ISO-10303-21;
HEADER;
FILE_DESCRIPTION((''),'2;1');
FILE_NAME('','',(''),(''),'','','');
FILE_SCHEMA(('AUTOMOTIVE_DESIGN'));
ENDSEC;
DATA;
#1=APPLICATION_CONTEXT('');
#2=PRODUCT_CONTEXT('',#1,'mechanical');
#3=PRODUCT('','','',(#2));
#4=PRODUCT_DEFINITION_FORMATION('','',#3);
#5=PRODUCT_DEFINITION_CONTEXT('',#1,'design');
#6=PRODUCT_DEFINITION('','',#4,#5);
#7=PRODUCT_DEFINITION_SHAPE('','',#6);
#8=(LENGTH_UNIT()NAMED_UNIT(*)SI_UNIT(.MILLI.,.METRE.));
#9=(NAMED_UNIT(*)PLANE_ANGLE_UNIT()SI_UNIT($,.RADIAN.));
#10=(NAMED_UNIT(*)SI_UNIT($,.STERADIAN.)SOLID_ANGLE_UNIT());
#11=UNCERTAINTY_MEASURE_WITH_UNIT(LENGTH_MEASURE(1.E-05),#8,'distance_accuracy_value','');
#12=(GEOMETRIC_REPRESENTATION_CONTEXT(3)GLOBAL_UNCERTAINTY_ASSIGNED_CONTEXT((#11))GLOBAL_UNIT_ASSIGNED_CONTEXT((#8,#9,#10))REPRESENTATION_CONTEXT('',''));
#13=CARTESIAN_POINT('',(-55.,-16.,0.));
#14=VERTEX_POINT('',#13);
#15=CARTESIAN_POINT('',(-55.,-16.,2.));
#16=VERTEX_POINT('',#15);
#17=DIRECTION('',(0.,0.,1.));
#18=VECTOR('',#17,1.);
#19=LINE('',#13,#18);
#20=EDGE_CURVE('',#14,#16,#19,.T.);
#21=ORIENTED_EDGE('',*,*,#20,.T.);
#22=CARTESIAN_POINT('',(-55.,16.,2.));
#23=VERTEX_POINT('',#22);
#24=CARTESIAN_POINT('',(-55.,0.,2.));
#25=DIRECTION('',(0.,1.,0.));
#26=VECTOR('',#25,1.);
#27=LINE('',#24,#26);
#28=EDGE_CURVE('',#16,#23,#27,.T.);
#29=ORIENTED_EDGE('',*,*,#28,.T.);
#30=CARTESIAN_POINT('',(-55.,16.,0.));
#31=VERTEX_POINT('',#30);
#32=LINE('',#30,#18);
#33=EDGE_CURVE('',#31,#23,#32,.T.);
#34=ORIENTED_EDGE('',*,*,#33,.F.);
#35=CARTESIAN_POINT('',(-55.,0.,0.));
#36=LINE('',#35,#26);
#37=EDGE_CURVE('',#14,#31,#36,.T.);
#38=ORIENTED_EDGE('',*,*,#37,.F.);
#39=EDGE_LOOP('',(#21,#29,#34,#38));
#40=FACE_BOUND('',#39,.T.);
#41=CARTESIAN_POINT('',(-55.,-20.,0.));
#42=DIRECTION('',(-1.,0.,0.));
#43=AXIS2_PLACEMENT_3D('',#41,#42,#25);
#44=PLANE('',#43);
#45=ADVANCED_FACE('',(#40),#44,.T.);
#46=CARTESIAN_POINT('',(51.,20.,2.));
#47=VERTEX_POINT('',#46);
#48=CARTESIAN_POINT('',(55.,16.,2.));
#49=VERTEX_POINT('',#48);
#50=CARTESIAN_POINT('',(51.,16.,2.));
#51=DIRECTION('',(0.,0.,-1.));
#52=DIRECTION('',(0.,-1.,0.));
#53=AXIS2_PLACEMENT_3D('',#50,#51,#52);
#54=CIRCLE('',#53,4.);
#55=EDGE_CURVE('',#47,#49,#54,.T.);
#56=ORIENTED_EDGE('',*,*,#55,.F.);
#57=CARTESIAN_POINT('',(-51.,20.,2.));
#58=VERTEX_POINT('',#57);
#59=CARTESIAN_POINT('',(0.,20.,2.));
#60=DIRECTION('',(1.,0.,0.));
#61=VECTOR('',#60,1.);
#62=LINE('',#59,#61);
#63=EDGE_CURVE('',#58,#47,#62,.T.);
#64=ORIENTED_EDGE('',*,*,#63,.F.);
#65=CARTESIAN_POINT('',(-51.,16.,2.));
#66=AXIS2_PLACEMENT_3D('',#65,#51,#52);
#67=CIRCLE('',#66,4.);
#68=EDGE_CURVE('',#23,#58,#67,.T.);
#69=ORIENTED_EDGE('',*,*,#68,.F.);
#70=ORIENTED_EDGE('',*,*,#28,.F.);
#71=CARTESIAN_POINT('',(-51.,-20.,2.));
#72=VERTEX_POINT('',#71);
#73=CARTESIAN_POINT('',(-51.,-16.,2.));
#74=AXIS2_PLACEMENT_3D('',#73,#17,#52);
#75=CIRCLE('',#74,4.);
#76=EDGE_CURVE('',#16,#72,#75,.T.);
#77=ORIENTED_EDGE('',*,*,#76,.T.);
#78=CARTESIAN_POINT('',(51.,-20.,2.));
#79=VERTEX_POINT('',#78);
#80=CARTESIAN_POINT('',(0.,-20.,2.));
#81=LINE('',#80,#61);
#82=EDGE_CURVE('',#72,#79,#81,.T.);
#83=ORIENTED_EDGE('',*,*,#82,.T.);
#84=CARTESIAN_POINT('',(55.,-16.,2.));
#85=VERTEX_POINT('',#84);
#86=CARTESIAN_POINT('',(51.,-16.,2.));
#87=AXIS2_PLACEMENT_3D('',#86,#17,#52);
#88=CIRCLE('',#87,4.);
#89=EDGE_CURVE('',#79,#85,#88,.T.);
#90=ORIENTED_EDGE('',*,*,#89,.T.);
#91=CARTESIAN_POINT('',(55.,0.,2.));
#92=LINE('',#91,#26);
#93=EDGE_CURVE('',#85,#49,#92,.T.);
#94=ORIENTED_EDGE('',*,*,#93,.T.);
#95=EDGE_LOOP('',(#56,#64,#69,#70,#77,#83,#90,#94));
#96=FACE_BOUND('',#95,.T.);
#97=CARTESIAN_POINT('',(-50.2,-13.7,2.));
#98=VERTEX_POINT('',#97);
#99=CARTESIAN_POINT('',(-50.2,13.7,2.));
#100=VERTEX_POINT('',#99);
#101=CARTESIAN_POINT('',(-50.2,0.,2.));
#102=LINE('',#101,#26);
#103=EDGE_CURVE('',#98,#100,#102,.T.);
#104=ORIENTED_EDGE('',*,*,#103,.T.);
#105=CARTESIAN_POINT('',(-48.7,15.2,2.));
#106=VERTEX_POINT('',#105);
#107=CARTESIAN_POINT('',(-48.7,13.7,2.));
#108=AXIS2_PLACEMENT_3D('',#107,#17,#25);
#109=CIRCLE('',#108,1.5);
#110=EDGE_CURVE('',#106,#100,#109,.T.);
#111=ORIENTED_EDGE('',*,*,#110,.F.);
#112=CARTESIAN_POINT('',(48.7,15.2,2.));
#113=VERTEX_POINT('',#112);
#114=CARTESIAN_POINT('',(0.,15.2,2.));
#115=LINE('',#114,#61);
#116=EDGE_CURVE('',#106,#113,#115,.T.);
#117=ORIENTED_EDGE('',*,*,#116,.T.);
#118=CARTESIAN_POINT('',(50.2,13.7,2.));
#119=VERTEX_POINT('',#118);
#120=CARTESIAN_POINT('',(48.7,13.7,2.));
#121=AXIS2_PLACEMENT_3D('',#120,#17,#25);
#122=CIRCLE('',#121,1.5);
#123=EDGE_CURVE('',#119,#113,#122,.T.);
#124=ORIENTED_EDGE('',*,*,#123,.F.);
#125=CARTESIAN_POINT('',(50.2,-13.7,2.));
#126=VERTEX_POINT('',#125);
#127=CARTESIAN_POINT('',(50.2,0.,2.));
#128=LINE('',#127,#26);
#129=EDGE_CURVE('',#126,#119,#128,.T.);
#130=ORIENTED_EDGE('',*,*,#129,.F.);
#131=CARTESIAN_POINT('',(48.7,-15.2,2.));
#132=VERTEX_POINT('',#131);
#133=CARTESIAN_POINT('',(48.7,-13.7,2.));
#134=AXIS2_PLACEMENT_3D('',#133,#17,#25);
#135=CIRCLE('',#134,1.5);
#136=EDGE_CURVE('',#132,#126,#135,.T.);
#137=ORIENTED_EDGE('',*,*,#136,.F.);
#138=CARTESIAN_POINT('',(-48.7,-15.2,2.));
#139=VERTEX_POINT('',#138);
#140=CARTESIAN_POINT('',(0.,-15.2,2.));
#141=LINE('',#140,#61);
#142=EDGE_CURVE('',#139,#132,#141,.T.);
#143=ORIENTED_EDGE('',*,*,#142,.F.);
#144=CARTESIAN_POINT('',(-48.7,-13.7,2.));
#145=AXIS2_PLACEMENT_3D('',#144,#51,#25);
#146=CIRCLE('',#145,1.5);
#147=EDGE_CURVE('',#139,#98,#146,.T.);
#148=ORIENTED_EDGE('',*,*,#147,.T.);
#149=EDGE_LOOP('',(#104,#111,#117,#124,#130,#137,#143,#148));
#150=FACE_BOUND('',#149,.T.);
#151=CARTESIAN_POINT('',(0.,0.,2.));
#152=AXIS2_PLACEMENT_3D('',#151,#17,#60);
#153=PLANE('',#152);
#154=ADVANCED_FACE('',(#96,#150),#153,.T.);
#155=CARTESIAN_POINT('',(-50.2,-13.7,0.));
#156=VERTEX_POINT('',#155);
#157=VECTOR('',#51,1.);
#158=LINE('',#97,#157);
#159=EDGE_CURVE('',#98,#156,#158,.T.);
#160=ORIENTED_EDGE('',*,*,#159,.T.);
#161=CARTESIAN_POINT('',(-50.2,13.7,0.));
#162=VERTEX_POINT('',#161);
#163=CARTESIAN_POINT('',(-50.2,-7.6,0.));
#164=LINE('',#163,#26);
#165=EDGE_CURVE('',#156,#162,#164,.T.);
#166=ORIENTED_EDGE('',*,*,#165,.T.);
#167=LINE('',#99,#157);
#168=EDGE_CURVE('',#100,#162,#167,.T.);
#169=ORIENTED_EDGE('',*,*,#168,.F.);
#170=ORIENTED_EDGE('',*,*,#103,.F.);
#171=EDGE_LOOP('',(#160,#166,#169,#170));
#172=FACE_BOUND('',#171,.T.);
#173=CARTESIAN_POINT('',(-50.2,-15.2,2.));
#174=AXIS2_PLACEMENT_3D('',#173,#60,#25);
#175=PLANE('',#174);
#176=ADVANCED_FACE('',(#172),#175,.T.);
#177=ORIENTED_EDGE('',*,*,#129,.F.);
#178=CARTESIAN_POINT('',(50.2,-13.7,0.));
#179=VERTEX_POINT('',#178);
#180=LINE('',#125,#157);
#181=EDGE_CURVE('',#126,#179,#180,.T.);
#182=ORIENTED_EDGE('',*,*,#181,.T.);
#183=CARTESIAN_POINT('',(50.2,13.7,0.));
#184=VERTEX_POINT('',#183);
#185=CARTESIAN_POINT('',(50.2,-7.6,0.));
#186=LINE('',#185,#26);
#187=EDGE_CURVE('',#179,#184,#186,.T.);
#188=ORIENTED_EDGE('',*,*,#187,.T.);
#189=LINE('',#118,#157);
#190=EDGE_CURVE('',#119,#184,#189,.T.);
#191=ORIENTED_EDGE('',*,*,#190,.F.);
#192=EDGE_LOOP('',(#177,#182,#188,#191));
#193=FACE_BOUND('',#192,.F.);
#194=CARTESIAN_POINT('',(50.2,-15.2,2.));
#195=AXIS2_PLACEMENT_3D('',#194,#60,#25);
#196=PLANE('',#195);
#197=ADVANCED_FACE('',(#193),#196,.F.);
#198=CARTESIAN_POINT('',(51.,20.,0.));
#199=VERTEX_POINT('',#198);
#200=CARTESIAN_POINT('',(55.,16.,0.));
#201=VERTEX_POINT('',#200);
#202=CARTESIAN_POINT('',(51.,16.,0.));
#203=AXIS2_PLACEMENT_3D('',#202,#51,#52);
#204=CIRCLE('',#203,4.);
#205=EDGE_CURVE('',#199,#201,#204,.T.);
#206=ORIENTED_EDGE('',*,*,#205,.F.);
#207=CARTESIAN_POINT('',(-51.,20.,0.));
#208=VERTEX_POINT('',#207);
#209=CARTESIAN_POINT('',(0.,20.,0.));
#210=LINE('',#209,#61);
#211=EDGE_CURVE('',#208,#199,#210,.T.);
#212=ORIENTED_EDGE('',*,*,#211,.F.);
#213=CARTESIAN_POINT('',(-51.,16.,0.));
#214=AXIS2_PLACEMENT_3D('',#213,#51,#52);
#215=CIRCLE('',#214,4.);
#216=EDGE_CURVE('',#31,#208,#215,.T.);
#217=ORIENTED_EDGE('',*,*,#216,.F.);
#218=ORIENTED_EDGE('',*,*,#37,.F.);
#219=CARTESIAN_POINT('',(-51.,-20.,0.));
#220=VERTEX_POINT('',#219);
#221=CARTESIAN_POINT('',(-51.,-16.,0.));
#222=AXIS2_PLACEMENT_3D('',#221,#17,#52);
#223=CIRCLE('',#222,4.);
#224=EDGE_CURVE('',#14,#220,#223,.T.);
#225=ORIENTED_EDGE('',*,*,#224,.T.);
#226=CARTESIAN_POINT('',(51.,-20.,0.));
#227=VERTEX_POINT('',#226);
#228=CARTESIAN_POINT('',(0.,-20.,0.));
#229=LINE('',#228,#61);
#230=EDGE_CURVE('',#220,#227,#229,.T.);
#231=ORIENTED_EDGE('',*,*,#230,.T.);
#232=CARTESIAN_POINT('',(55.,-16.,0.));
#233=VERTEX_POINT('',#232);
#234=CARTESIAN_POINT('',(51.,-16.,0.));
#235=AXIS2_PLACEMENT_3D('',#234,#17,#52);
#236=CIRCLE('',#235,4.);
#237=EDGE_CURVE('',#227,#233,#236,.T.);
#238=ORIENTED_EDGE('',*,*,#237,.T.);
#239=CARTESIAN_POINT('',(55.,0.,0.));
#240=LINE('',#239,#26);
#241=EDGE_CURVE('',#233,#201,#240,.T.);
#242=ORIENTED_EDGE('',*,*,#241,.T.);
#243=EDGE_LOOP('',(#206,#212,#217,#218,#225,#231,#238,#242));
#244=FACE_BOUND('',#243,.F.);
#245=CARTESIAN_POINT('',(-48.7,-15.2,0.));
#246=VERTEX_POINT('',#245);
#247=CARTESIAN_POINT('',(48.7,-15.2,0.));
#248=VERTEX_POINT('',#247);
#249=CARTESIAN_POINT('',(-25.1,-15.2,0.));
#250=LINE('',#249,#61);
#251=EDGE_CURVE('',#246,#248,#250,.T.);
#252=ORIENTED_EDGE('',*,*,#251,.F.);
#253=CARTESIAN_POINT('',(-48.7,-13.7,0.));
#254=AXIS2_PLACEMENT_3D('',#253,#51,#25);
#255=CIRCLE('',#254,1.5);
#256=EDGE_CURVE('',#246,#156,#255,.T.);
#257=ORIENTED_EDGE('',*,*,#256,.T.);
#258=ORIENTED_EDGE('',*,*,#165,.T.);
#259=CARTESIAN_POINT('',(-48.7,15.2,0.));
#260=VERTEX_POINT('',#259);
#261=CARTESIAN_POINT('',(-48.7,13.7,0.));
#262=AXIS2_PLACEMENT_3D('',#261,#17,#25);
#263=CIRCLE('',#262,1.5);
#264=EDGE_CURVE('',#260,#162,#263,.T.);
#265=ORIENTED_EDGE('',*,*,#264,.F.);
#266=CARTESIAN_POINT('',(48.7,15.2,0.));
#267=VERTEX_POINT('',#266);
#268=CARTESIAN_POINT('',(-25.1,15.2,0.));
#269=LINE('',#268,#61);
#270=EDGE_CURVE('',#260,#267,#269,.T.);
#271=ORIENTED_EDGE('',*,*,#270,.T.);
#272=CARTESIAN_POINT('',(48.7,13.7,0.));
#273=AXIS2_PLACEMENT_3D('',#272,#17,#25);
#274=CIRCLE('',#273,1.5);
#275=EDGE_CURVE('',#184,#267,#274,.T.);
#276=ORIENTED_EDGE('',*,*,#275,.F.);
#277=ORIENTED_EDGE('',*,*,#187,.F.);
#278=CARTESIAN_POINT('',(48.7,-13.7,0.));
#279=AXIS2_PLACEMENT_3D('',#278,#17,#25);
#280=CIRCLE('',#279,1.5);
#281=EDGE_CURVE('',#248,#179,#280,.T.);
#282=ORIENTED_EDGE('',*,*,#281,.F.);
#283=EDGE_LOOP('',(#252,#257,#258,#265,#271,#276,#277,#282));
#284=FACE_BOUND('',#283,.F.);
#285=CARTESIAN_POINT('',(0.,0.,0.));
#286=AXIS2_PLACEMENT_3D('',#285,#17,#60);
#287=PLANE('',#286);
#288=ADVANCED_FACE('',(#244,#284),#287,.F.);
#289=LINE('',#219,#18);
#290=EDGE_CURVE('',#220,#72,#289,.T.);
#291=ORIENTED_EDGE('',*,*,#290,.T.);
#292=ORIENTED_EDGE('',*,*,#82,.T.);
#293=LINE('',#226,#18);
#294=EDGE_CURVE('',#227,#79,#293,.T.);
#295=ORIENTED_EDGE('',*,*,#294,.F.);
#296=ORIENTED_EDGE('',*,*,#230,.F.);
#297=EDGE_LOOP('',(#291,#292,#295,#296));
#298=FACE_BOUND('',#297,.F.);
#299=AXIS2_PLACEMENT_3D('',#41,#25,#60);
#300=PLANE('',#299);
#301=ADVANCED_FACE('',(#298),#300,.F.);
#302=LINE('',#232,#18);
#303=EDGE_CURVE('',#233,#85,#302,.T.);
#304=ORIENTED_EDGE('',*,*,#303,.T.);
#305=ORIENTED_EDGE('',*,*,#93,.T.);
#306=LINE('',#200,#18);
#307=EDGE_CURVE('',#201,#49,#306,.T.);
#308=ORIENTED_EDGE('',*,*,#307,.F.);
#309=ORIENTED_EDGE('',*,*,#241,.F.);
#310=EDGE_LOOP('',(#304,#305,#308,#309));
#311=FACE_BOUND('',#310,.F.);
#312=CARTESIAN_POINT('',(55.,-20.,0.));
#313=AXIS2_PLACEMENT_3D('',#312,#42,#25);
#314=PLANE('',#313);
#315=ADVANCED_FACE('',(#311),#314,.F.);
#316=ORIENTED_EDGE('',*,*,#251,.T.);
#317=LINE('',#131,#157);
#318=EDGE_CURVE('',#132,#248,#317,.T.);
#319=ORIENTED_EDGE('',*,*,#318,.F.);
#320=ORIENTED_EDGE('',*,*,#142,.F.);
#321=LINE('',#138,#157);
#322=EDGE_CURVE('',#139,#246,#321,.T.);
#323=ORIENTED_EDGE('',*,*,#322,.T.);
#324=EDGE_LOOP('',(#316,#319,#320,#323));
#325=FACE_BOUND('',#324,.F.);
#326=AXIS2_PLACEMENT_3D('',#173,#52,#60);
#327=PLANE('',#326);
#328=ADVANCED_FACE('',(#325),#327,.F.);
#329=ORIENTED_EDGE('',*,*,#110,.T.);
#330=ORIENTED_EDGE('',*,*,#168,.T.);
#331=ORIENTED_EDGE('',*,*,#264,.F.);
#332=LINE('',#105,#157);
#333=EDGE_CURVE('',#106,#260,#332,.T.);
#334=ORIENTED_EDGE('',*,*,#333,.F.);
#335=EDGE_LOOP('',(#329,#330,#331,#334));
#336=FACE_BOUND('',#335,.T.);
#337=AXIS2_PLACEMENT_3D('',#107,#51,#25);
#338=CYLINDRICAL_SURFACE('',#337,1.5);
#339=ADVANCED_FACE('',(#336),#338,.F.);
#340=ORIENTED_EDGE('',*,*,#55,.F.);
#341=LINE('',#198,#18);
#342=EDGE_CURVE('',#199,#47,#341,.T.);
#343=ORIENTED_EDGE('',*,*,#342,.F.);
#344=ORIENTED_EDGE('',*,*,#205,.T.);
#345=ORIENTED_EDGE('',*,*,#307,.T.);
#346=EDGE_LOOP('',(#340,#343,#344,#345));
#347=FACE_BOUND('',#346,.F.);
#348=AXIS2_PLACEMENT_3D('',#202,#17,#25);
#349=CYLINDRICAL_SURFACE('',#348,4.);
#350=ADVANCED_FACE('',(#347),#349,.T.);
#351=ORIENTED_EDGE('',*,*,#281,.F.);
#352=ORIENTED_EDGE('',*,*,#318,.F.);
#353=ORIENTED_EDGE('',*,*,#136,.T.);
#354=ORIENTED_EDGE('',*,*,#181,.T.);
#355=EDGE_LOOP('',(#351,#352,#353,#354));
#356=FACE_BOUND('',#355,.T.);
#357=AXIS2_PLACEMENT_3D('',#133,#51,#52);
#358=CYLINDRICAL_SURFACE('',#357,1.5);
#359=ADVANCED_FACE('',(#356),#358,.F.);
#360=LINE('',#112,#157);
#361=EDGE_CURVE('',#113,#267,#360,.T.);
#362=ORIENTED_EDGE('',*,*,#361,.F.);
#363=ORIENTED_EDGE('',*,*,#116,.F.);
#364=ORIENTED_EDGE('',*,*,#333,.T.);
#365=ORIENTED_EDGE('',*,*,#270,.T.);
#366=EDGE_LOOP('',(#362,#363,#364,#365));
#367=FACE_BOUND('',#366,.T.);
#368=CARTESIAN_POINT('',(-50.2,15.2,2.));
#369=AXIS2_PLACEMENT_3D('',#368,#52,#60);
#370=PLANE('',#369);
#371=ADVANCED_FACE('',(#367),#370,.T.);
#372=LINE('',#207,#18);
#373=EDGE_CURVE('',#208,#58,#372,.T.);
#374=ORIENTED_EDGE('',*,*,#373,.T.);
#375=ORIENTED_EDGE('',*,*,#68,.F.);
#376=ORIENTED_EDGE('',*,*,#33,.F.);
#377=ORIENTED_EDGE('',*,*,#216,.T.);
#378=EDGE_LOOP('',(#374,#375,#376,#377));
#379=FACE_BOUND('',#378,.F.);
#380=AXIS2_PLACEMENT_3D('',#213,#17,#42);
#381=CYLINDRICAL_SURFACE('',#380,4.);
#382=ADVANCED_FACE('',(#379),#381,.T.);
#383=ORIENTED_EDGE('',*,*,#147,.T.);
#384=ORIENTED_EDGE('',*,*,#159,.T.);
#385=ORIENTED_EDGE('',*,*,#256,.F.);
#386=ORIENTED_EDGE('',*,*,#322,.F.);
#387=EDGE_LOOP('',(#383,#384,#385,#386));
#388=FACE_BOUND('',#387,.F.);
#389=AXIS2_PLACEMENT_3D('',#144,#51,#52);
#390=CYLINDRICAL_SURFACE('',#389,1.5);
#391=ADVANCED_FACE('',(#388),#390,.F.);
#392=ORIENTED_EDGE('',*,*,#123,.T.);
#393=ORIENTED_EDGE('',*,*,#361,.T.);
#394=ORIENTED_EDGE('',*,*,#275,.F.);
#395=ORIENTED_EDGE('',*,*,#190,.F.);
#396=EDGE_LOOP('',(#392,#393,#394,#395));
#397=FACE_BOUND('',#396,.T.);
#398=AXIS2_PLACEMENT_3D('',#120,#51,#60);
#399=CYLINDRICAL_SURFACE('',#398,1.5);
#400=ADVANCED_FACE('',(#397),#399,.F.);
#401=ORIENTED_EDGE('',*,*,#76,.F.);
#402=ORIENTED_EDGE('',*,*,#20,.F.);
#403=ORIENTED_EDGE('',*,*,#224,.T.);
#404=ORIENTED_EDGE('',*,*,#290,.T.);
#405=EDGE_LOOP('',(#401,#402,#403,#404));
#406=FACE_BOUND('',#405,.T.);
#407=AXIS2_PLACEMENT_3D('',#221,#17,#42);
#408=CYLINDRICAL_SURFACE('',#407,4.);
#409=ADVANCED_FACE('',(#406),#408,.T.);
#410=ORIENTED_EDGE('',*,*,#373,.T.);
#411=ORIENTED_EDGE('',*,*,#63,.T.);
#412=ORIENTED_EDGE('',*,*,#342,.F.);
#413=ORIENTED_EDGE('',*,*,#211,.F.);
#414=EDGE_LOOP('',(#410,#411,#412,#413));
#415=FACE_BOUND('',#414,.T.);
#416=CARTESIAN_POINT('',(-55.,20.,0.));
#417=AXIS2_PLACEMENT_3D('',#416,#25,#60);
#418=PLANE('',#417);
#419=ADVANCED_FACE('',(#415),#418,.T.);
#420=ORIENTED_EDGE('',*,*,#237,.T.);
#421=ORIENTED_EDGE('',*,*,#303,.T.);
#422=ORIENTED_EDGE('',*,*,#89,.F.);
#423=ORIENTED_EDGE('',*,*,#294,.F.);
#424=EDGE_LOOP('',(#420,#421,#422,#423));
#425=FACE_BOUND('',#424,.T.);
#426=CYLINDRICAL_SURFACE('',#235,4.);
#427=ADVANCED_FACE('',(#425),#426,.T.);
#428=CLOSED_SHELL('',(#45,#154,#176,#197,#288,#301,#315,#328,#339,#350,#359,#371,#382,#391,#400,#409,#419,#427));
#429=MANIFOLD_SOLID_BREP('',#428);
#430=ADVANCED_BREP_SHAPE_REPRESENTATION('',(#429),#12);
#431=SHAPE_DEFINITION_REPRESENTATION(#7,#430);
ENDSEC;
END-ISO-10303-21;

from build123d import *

# Parameters (mm, degrees)
F0_W     = 110
F0_H     = 40
F1_DEPTH = 2
F2_W     = 100.4
F2_H     = 30.4
F3_DEPTH = 2.001
F4_R     = 4
F5_R     = 1.5


with BuildPart() as f1:
    # F0 (on Top) → F1 (new body)
    with BuildSketch(Plane.XY):
        Rectangle(F0_W, F0_H)
    extrude(amount=F1_DEPTH)

    # F2 (on face) → F3 (cut, through all)
    with BuildSketch(Plane.XY.offset(2)):
        Rectangle(F2_W, F2_H)
    extrude(amount=-F3_DEPTH, mode=Mode.SUBTRACT)

    # F4
    f4_edges = [f1.edges().sort_by_distance(p)[0] for p in [
        (-55, -20, 1),
        (-55, 20, 1),
        (55, -20, 1),
        (55, 20, 1),
    ]]
    fillet(f4_edges, radius=F4_R)

    # F5
    f5_edges = [f1.edges().sort_by_distance(p)[0] for p in [
        (-50.2, 15.2, 1),
        (50.2, 15.2, 1),
        (-50.2, -15.2, 1),
        (50.2, -15.2, 1),
    ]]
    fillet(f5_edges, radius=F5_R)


solid = f1.part
